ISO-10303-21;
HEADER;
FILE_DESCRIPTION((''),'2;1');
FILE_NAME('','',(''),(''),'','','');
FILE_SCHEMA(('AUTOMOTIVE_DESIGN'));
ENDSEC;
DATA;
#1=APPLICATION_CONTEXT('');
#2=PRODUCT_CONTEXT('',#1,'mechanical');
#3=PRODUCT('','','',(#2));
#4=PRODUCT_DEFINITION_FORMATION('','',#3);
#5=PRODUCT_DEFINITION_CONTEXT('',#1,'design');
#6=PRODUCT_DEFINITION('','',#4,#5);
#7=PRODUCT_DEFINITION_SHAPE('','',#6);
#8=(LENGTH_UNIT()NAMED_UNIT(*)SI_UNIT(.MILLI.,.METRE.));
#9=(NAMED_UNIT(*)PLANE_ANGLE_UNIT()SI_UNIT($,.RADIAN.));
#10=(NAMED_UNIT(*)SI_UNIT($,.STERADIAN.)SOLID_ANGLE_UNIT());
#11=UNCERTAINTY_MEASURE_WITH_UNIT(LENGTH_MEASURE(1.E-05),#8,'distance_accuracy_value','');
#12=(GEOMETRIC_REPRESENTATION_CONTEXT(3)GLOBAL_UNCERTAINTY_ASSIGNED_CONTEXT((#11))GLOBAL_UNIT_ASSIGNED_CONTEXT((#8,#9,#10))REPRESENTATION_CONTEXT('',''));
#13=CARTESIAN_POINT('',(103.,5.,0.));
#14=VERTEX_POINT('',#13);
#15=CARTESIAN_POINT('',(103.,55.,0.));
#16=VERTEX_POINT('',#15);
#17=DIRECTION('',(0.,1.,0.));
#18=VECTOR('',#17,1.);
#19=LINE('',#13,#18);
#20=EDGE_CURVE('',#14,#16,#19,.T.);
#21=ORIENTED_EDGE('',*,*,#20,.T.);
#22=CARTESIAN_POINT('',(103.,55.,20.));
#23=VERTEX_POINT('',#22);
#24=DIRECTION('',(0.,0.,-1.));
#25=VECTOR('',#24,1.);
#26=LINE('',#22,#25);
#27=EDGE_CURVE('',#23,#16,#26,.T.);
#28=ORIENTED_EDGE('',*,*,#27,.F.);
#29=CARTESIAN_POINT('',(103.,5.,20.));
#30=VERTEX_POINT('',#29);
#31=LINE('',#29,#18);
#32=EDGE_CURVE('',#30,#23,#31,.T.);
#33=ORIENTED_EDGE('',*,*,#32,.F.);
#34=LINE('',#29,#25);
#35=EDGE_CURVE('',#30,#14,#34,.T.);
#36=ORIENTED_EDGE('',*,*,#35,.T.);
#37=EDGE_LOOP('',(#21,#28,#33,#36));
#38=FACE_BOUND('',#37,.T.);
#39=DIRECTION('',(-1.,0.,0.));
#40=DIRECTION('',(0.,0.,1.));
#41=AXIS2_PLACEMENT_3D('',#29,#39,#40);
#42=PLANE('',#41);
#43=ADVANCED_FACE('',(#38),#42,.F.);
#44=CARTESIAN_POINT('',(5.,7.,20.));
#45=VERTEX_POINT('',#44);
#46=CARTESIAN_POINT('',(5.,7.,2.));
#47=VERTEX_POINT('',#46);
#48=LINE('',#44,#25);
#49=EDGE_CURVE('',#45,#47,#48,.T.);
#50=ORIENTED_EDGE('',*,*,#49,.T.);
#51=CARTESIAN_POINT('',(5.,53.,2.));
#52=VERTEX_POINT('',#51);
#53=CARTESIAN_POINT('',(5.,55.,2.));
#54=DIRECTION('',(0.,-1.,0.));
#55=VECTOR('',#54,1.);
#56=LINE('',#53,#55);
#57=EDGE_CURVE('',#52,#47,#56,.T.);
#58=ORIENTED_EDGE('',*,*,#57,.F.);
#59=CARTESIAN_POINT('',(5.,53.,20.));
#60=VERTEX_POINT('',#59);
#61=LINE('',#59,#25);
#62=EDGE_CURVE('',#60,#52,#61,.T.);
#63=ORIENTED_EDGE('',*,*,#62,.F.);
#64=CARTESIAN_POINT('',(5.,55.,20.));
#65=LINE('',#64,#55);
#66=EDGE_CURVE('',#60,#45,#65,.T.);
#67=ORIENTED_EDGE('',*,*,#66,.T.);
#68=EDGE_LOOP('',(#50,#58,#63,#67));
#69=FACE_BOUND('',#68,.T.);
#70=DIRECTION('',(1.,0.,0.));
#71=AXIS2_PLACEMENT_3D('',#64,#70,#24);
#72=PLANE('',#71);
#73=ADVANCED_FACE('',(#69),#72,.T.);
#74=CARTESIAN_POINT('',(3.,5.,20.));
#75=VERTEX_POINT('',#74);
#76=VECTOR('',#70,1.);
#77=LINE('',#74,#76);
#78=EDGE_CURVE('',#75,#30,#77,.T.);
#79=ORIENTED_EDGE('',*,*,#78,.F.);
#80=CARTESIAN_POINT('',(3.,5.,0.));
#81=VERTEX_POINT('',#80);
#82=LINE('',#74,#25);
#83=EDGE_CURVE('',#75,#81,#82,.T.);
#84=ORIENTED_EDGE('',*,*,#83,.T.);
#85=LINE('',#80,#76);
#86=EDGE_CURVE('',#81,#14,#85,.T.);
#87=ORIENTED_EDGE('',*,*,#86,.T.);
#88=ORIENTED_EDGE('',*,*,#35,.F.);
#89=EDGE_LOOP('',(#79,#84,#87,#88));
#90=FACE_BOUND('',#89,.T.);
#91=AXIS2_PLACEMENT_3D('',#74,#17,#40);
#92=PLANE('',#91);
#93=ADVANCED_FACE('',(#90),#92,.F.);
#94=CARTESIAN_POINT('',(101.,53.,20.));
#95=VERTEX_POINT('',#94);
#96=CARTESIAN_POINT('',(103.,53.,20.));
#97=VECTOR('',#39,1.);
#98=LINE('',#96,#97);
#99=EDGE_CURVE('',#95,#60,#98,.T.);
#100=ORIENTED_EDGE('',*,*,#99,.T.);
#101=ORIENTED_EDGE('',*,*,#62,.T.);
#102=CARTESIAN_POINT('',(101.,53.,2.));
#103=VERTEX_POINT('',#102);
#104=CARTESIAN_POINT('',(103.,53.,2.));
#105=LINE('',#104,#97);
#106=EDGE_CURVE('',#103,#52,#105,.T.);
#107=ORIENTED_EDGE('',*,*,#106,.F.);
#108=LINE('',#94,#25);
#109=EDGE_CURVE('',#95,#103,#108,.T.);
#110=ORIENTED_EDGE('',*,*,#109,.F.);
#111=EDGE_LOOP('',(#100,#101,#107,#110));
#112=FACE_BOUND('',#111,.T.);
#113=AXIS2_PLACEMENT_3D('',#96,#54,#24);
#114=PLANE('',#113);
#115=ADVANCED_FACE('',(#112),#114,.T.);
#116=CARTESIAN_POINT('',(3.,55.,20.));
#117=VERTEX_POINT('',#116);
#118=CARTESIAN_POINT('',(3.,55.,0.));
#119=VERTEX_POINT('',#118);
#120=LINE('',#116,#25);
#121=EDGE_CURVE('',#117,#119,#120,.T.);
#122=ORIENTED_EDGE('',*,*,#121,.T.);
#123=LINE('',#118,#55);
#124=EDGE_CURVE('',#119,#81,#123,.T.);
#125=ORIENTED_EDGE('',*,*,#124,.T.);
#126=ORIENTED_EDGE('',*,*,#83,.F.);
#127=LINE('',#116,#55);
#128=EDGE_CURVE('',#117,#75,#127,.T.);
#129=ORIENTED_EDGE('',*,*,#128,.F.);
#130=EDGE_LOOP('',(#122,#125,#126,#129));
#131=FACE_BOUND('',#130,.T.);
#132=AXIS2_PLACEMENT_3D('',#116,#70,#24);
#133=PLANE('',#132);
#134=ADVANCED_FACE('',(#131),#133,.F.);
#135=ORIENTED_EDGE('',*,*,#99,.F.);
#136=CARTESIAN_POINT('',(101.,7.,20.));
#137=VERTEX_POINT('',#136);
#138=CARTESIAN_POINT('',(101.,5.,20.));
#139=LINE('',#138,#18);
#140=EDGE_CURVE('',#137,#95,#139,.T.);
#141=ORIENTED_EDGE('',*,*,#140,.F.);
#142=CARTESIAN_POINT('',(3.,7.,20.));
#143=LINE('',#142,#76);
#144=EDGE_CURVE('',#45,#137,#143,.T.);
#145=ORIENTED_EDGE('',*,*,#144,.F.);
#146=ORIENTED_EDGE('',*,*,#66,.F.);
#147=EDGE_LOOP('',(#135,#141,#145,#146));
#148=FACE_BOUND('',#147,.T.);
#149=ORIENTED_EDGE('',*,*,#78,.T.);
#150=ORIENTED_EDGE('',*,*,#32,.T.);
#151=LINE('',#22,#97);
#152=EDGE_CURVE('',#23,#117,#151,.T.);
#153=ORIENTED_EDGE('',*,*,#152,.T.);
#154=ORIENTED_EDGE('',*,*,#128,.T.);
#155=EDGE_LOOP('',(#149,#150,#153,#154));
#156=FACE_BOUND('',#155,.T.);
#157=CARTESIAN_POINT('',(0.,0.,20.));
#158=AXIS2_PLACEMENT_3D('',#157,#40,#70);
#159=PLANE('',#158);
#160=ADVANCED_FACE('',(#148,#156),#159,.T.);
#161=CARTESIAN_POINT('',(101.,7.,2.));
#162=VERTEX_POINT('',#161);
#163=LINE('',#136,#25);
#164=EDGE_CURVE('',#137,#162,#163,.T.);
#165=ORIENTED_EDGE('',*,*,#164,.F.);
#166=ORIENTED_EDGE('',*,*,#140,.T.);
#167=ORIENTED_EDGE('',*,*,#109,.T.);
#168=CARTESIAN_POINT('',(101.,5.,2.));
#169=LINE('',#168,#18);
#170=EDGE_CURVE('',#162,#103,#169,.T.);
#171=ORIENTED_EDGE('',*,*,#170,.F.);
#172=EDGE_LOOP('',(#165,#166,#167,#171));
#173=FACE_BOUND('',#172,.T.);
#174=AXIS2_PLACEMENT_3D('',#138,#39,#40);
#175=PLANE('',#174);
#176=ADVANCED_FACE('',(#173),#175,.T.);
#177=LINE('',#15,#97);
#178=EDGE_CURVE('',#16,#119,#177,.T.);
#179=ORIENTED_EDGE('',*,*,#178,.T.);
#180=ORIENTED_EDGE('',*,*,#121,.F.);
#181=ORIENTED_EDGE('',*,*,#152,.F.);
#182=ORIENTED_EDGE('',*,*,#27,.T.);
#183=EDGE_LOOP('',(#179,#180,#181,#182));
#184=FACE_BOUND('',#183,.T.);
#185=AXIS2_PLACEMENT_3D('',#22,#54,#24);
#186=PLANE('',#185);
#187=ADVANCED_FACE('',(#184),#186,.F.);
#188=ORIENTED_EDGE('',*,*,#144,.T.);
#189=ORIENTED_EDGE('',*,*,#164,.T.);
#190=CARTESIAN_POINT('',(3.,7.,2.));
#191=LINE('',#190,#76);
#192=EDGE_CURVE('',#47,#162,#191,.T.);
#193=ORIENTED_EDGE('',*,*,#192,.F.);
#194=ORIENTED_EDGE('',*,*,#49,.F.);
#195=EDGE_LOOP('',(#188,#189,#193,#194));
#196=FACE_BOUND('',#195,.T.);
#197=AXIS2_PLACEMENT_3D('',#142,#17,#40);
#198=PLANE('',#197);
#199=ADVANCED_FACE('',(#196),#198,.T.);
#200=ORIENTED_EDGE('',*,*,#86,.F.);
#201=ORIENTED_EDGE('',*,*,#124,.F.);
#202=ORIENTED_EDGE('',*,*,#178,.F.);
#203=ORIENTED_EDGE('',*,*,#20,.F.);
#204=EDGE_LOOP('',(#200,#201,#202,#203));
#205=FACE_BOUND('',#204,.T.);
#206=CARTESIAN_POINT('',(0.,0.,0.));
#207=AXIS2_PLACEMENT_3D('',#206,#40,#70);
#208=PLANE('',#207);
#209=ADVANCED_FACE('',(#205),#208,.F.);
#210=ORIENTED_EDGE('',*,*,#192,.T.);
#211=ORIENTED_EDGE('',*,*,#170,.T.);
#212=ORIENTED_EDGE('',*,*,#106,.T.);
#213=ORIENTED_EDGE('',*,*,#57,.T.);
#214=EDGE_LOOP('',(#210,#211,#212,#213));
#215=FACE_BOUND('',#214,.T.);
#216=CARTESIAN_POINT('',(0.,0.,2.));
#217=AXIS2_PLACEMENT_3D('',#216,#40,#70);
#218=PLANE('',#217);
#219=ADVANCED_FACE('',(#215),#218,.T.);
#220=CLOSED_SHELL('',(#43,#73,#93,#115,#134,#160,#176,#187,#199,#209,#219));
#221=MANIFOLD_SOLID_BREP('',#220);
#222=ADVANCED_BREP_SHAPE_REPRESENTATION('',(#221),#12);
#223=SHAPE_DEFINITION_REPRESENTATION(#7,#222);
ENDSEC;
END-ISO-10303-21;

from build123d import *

# Parameters (mm, degrees)
SKETCH1_W           = 100
SKETCH1_H           = 50
BOSS_EXTRUDE1_DEPTH = 20
SHELL1_T            = -2


with BuildPart() as part:
    # Sketch1 → Boss-Extrude1 (new body)
    with BuildSketch(Plane.XY):
        with Locations((53, 30)):
            Rectangle(SKETCH1_W, SKETCH1_H)
    extrude(amount=BOSS_EXTRUDE1_DEPTH)

    # Shell1
    shell1_openings = [part.faces().sort_by_distance(p)[0] for p in [
        (53, 30, 20),
    ]]
    offset(amount=SHELL1_T, openings=shell1_openings, kind=Kind.INTERSECTION)


solid = part.part
